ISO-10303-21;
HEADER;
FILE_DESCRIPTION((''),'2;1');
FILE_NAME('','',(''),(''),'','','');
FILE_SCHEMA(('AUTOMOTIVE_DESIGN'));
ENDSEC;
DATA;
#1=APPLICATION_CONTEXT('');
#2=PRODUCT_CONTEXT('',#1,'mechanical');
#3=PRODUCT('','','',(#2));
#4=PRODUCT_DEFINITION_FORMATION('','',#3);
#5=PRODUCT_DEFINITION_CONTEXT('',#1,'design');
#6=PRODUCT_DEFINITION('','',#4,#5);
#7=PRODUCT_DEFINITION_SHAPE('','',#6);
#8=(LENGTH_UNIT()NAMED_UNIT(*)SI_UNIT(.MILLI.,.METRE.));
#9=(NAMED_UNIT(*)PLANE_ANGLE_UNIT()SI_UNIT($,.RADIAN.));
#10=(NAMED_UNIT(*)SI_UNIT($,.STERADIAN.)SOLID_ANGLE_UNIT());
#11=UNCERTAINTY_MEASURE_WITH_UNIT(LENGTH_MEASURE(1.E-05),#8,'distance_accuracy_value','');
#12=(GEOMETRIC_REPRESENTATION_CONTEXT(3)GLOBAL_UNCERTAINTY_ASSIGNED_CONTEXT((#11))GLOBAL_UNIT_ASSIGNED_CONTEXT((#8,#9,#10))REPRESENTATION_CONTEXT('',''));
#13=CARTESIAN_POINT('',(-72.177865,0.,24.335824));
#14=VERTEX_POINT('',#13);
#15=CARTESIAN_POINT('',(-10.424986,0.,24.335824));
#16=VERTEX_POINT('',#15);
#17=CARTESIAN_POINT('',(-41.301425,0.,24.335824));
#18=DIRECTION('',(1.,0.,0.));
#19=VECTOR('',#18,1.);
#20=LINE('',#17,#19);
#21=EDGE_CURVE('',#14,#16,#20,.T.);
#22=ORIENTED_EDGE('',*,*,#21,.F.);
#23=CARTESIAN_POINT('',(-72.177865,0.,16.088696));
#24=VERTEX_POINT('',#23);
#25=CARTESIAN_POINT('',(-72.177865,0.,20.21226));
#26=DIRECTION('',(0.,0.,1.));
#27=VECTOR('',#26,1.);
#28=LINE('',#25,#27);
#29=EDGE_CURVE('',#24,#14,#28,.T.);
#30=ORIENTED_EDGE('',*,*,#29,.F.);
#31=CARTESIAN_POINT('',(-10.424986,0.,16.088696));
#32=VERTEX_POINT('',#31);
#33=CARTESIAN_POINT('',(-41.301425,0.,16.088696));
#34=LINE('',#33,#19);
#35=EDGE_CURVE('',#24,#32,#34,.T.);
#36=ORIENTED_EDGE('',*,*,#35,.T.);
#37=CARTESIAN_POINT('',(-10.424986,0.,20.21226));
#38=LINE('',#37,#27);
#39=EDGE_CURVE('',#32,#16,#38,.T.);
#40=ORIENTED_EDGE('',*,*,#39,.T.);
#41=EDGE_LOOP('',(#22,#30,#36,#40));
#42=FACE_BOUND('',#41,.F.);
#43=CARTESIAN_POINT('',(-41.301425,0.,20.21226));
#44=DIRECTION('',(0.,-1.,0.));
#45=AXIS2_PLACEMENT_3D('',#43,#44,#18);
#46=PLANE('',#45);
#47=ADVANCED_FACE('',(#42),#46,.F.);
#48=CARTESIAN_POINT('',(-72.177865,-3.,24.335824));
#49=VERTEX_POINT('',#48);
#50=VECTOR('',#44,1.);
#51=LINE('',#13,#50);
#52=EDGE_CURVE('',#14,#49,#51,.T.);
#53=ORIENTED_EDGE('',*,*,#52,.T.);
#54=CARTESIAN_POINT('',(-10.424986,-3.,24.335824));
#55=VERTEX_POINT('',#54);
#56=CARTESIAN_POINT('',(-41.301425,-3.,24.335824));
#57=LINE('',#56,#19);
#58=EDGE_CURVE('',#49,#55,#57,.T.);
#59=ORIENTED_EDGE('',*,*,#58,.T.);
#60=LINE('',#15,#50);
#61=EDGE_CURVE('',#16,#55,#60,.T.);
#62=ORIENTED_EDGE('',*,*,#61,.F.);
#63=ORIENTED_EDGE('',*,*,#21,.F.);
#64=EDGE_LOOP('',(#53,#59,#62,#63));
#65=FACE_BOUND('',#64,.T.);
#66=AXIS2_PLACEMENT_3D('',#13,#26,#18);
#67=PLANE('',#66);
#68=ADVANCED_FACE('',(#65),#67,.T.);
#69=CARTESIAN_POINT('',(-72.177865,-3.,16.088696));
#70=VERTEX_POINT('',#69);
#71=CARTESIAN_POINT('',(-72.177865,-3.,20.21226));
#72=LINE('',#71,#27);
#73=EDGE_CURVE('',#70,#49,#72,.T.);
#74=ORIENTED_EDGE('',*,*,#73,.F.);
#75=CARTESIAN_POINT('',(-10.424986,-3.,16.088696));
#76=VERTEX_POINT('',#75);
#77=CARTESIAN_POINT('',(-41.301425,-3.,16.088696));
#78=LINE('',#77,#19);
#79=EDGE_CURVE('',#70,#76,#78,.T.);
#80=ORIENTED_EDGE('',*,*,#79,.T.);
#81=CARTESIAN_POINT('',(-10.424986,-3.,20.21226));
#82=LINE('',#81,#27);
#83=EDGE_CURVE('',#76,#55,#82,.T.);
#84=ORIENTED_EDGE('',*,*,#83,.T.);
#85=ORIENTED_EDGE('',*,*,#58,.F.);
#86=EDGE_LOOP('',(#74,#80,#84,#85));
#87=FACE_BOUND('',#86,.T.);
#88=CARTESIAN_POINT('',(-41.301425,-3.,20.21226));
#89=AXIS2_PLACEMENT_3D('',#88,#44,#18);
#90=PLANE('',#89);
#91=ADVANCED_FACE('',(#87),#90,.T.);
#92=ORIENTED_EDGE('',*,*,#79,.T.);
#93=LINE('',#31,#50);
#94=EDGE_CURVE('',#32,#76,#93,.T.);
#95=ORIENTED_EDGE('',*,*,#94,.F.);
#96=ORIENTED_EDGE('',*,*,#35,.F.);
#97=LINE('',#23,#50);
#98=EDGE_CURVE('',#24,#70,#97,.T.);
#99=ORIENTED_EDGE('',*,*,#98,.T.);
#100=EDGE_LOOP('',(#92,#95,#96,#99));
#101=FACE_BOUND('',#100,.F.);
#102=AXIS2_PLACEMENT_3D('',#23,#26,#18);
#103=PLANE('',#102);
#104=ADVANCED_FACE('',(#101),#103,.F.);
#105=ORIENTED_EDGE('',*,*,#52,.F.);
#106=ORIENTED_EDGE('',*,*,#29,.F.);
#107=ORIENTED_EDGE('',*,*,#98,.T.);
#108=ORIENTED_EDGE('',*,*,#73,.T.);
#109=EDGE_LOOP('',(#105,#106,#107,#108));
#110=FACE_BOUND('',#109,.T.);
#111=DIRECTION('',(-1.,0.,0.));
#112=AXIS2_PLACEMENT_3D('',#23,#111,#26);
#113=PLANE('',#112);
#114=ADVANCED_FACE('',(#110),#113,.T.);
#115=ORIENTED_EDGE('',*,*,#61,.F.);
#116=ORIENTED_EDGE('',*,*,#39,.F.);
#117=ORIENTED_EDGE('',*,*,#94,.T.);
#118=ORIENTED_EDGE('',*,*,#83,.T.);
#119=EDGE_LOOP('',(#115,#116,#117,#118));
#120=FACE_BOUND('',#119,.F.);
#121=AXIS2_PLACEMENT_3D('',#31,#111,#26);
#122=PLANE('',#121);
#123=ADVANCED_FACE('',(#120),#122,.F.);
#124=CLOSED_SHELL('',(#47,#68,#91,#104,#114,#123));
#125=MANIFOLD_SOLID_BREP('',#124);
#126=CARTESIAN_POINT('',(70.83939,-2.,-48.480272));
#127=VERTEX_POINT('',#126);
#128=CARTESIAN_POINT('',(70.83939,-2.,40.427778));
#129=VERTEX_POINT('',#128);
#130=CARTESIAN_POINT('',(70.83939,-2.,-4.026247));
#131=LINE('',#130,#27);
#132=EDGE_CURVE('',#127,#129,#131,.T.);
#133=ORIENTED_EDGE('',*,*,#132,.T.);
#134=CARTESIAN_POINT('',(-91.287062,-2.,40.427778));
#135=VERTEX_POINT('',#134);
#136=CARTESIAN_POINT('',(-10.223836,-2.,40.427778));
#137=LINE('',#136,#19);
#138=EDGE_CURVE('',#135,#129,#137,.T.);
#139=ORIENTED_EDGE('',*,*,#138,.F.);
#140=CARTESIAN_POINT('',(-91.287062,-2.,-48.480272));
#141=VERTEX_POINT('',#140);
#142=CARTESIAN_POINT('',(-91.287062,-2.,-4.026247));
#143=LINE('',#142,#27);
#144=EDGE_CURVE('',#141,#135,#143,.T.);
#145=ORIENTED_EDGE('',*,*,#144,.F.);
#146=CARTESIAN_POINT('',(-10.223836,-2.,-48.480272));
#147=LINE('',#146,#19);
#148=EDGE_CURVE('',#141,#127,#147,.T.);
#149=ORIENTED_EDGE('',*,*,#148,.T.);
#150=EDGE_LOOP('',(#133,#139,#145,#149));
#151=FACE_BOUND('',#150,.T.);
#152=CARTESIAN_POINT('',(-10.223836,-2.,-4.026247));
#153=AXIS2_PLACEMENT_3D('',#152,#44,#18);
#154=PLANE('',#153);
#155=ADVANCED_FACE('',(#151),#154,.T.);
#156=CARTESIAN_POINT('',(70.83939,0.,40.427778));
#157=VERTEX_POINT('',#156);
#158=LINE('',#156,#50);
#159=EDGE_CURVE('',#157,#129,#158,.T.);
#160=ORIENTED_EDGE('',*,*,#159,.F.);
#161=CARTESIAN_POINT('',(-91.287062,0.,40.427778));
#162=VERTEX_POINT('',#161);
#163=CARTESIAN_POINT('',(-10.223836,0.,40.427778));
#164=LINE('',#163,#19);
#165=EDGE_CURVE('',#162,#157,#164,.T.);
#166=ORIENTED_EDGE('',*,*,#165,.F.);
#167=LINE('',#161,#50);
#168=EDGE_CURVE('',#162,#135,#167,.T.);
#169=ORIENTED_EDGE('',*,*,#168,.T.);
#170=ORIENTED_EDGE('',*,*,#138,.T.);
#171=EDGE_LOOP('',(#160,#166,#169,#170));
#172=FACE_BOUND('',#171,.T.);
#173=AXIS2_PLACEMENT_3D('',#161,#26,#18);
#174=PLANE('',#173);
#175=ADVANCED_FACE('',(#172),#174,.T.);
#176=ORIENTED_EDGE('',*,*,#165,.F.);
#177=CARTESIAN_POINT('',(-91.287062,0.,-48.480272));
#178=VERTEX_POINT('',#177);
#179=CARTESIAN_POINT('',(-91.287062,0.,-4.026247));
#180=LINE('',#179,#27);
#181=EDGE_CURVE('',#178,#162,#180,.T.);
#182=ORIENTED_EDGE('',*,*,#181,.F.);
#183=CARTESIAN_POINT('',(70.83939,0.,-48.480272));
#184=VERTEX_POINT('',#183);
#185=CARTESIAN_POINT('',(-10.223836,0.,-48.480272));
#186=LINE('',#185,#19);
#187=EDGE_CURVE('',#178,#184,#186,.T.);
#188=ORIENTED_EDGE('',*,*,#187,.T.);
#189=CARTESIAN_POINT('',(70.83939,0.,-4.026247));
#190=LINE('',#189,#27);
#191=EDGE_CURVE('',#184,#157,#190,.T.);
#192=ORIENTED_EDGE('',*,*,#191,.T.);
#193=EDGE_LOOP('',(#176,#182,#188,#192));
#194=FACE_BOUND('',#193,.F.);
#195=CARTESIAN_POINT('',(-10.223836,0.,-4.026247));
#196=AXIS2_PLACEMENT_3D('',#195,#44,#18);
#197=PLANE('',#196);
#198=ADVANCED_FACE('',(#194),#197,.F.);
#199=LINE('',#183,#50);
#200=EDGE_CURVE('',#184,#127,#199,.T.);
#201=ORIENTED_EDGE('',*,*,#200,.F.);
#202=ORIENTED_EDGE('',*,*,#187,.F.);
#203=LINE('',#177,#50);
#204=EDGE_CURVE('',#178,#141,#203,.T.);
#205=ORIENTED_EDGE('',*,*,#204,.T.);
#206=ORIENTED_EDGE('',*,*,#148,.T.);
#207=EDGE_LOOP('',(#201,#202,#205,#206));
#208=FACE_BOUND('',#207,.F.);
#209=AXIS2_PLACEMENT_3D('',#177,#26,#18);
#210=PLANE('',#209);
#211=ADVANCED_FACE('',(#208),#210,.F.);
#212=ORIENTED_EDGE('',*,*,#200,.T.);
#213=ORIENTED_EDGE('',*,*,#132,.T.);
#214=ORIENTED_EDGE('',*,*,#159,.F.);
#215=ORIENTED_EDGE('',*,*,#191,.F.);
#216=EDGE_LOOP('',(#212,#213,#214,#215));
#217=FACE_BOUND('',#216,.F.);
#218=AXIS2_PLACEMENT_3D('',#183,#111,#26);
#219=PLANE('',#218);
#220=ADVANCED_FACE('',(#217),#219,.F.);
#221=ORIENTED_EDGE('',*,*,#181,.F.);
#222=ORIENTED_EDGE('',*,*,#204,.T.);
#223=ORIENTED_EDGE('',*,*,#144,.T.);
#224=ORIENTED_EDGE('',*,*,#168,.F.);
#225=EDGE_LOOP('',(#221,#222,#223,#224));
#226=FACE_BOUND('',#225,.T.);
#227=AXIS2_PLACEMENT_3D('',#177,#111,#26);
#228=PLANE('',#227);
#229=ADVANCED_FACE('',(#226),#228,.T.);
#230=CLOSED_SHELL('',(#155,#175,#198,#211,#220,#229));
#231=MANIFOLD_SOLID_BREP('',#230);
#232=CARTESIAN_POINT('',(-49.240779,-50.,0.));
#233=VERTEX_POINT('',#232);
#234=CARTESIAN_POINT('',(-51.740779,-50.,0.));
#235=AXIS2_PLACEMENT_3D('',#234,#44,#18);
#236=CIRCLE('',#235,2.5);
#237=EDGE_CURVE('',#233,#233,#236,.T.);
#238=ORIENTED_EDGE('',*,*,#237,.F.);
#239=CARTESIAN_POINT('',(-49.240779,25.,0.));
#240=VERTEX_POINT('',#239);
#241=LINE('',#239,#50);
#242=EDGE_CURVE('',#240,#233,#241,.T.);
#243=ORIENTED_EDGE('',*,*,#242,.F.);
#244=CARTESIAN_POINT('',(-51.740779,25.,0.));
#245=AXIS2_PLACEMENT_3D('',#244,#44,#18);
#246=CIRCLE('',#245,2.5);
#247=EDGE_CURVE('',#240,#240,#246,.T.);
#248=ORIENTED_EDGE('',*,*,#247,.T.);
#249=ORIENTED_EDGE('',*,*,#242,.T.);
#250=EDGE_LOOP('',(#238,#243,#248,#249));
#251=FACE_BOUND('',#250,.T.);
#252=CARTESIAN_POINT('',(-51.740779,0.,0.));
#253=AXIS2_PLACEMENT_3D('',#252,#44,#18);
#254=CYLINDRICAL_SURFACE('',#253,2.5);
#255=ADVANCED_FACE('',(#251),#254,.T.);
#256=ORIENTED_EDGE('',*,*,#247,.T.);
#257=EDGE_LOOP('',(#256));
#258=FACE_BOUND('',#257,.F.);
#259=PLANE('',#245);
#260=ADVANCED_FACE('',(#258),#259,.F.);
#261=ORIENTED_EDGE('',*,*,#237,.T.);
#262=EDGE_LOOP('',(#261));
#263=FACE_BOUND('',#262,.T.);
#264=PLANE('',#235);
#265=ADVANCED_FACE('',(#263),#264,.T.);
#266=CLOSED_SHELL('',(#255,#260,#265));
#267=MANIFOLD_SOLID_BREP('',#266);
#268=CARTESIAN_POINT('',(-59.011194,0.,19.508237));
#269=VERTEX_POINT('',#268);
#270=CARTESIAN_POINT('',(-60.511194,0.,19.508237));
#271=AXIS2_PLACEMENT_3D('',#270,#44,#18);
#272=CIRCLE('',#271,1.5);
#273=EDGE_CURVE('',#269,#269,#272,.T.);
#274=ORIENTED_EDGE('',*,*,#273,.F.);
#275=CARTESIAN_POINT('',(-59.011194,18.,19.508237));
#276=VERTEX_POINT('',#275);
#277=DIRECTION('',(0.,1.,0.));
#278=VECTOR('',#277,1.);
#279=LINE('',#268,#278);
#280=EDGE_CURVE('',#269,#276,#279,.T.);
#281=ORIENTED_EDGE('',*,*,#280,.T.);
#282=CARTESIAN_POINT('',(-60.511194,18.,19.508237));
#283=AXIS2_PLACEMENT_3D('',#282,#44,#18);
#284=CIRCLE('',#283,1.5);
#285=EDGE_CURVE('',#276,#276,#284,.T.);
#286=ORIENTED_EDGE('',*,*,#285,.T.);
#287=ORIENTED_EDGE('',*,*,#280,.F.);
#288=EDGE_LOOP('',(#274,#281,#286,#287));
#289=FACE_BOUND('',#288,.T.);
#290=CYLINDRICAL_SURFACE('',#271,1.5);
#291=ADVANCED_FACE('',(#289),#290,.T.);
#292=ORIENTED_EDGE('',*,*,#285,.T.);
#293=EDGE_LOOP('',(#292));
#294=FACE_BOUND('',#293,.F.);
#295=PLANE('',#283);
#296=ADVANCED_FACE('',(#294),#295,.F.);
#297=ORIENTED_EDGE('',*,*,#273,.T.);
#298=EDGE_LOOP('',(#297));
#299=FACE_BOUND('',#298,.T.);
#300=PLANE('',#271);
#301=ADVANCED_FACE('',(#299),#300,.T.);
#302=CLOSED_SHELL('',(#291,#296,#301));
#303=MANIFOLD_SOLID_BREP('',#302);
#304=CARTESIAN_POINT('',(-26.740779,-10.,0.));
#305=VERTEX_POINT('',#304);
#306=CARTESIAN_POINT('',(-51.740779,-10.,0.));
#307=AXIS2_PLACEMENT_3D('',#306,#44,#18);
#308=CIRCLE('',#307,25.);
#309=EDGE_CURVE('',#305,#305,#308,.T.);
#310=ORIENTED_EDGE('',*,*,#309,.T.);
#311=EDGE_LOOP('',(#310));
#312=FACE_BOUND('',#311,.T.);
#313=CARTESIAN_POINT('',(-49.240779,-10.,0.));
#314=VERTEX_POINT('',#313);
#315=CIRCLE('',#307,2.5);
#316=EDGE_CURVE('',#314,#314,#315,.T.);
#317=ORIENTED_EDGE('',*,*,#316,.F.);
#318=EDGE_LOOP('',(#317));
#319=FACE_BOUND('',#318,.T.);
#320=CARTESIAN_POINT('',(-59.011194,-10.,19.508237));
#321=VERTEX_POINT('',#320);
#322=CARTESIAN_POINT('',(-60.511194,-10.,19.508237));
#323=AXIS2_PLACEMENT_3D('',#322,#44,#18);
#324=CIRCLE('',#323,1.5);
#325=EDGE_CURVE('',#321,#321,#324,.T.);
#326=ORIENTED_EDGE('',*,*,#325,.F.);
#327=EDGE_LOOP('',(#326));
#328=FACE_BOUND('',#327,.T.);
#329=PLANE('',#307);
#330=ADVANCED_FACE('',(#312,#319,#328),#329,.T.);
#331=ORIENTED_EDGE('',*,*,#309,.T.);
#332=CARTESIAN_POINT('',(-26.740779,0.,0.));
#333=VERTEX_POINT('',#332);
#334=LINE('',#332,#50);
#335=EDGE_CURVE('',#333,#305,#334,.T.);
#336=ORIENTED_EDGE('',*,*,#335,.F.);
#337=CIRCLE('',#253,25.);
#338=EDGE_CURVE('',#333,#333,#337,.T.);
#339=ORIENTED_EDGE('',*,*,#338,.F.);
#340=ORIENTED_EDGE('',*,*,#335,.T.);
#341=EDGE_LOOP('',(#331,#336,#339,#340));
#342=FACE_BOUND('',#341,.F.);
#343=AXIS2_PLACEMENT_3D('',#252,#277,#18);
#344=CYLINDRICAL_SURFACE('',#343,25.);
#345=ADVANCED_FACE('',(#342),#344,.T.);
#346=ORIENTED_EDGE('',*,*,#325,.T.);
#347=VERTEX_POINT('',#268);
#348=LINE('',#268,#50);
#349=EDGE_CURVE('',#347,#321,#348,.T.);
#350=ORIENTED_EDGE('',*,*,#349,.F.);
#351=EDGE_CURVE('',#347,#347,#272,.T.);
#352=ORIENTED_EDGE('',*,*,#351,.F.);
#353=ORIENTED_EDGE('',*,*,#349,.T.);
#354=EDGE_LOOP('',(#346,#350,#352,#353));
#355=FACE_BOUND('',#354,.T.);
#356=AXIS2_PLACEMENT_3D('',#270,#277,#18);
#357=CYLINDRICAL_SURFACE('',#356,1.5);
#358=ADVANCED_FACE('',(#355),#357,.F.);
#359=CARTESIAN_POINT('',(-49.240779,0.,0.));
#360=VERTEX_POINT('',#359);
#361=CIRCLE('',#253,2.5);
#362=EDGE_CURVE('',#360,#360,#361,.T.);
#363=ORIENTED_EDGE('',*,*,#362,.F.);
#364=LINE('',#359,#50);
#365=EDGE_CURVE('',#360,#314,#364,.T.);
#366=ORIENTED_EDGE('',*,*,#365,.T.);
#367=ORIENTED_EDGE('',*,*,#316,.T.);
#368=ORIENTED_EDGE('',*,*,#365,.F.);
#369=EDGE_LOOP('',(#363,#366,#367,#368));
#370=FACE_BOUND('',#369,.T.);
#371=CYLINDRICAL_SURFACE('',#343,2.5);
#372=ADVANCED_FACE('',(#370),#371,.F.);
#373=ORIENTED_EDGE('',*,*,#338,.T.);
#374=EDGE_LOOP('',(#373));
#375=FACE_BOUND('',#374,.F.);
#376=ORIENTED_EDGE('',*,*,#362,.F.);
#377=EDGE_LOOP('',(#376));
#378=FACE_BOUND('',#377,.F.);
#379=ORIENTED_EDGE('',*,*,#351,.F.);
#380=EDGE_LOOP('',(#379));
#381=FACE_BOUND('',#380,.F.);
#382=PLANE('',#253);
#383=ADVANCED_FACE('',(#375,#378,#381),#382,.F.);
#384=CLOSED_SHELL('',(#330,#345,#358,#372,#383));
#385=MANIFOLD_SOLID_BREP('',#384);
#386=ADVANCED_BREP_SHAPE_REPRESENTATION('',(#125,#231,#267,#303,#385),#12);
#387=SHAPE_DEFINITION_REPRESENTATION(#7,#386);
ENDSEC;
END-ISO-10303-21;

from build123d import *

# Parameters (mm, degrees)
F0_R          = 25
F0_R_2        = 1.5
F0_R_3        = 2.5
F1_DEPTH      = 10
F2_DEPTH      = 50
F2_DEPTH_BACK = 25
F3_W          = 162.1264517307
F3_H          = 88.9080502093
F4_DEPTH      = 2
F5_DEPTH      = 18
F7_DEPTH      = 3
F6_W          = 61.7528790608
F6_H          = 8.2471277565


with BuildPart() as f1:
    # F0 (on Front) → F1 (new body)
    with BuildSketch(Plane.XZ):
        with Locations((-51.7407789791, 0)):
            Circle(F0_R)
        with Locations((-60.5111941695, 19.5082370192)):
            Circle(F0_R_2, mode=Mode.SUBTRACT)
        with Locations((-51.7407789791, 0)):
            Circle(F0_R_3, mode=Mode.SUBTRACT)
    extrude(amount=F1_DEPTH)


with BuildPart() as f2:
    # F0 (on Front) → F2 (new body, two sides)
    with BuildSketch(Plane.XZ) as f2_sk:
        with Locations((-51.7407789791, 0)):
            Circle(F0_R_3)
    extrude(amount=F2_DEPTH)
    extrude(f2_sk.sketch, amount=-F2_DEPTH_BACK)


with BuildPart() as f4:
    # F3 (on Front) → F4 (new body)
    with BuildSketch(Plane.XZ):
        with Locations((-10.2238357067, -4.0262471884)):
            Rectangle(F3_W, F3_H)
    extrude(amount=F4_DEPTH)


with BuildPart() as f5:
    # F0 (on Front) → F5 (new body)
    with BuildSketch(Plane.XZ):
        with Locations((-60.5111941695, 19.5082370192)):
            Circle(F0_R_2)
    extrude(amount=-F5_DEPTH)


with BuildPart() as f7:
    # F0 (on Front) → F7 (new body)
    with BuildSketch(Plane.XZ):
        with Locations((-60.5111941695, 19.5082370192)):
            Circle(F0_R_2)
    extrude(amount=F7_DEPTH)


with BuildPart() as f7b:
    # F6 (on Front) → F7, piece 2 (new body)
    with BuildSketch(Plane.XZ):
        with Locations((-41.3014250807, 20.2122600749)):
            Rectangle(F6_W, F6_H)
    extrude(amount=F7_DEPTH)


solid = Compound([f1.part, f2.part, f4.part, f5.part, f7b.part])
